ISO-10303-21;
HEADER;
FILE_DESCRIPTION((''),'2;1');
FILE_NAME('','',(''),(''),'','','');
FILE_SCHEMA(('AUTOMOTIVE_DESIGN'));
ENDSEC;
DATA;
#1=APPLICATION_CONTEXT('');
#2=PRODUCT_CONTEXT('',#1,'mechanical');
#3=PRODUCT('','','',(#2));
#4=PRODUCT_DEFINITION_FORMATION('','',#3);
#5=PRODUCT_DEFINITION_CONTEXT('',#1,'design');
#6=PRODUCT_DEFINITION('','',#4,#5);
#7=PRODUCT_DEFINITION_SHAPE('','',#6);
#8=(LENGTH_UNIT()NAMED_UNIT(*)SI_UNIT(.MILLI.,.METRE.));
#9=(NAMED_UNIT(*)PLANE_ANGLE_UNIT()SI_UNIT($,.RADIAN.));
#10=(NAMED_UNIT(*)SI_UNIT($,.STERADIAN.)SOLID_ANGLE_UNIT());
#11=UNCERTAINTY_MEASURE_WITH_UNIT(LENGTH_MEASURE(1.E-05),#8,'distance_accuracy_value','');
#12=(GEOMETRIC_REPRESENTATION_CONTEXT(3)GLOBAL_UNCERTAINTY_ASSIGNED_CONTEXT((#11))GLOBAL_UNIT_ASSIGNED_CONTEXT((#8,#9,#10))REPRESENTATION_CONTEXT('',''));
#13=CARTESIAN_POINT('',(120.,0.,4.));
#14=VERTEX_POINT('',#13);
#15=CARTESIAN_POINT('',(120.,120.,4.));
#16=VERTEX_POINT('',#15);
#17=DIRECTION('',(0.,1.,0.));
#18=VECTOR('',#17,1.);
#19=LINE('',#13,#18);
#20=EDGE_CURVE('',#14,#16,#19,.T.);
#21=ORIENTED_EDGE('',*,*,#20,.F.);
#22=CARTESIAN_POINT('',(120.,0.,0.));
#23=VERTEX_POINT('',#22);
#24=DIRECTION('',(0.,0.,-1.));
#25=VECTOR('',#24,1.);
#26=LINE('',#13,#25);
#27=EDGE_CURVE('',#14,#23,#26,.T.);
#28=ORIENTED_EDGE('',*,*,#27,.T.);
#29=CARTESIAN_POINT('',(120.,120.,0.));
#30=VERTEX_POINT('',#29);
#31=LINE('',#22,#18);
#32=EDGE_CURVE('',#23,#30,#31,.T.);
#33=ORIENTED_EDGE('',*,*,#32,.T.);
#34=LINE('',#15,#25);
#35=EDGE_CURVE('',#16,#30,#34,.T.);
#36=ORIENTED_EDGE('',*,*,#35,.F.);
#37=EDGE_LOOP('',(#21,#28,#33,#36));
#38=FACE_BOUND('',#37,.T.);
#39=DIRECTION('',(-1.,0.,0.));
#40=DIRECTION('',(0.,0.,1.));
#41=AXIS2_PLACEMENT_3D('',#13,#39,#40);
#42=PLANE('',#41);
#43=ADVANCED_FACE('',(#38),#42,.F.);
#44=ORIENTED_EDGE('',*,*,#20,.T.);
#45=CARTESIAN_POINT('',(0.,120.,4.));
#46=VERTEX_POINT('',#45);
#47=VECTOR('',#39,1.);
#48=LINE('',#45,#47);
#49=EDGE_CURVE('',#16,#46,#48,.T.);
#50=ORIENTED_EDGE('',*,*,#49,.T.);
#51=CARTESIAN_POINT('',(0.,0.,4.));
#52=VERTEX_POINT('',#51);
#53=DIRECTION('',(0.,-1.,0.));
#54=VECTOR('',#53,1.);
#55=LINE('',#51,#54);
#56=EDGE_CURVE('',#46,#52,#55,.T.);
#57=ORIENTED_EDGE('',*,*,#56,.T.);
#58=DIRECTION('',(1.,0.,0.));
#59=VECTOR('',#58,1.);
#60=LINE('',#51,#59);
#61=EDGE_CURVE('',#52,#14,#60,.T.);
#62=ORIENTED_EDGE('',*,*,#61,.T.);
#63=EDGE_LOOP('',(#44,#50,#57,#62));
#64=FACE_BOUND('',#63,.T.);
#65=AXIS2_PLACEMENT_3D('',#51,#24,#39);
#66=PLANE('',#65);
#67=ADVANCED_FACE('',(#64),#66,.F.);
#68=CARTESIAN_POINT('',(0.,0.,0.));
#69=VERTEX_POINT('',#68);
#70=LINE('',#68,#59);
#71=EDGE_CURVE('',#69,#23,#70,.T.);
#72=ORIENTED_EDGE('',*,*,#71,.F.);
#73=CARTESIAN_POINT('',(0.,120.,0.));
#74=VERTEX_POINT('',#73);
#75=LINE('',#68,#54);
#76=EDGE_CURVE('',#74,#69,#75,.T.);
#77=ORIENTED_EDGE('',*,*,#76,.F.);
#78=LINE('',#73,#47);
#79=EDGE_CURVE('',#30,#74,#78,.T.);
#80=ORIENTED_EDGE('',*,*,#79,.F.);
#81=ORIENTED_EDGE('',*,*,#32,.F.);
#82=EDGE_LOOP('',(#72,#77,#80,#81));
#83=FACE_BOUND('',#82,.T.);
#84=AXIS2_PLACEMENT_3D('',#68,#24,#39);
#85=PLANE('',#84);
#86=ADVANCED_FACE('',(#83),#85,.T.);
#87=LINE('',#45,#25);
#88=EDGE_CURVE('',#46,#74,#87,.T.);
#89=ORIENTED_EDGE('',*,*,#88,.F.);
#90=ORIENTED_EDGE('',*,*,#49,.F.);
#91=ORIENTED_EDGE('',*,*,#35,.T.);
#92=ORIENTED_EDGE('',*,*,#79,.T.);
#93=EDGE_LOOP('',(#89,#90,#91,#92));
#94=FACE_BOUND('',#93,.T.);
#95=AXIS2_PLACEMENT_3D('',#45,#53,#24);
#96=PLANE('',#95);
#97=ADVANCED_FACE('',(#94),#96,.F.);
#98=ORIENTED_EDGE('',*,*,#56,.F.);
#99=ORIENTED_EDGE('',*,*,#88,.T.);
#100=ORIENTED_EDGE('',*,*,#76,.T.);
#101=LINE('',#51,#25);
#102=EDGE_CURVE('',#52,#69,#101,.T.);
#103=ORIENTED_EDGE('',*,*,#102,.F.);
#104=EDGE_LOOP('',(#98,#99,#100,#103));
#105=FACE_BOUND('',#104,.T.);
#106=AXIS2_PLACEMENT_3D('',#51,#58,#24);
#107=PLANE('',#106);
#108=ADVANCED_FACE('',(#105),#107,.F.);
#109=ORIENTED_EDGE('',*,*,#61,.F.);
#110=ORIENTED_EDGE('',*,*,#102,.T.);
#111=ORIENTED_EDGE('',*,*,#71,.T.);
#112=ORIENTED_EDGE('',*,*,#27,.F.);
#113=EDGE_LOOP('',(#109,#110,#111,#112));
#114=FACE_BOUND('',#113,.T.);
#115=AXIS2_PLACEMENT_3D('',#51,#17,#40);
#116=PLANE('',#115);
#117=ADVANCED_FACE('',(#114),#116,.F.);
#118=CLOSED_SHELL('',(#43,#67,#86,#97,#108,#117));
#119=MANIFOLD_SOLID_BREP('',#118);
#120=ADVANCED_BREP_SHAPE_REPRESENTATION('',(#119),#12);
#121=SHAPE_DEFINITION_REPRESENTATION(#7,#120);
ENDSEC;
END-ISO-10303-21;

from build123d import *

# Parameters (mm, degrees)
ESQUISSE1_W        = 120
ESQUISSE1_H        = 120
BOSS_EXTRU_1_DEPTH = 4


with BuildPart() as part:
    # Esquisse1 → Boss.-Extru.1 (new body)
    with BuildSketch(Plane.XY):
        with Locations((60, 60)):
            Rectangle(ESQUISSE1_W, ESQUISSE1_H)
    extrude(amount=BOSS_EXTRU_1_DEPTH)


solid = part.part
